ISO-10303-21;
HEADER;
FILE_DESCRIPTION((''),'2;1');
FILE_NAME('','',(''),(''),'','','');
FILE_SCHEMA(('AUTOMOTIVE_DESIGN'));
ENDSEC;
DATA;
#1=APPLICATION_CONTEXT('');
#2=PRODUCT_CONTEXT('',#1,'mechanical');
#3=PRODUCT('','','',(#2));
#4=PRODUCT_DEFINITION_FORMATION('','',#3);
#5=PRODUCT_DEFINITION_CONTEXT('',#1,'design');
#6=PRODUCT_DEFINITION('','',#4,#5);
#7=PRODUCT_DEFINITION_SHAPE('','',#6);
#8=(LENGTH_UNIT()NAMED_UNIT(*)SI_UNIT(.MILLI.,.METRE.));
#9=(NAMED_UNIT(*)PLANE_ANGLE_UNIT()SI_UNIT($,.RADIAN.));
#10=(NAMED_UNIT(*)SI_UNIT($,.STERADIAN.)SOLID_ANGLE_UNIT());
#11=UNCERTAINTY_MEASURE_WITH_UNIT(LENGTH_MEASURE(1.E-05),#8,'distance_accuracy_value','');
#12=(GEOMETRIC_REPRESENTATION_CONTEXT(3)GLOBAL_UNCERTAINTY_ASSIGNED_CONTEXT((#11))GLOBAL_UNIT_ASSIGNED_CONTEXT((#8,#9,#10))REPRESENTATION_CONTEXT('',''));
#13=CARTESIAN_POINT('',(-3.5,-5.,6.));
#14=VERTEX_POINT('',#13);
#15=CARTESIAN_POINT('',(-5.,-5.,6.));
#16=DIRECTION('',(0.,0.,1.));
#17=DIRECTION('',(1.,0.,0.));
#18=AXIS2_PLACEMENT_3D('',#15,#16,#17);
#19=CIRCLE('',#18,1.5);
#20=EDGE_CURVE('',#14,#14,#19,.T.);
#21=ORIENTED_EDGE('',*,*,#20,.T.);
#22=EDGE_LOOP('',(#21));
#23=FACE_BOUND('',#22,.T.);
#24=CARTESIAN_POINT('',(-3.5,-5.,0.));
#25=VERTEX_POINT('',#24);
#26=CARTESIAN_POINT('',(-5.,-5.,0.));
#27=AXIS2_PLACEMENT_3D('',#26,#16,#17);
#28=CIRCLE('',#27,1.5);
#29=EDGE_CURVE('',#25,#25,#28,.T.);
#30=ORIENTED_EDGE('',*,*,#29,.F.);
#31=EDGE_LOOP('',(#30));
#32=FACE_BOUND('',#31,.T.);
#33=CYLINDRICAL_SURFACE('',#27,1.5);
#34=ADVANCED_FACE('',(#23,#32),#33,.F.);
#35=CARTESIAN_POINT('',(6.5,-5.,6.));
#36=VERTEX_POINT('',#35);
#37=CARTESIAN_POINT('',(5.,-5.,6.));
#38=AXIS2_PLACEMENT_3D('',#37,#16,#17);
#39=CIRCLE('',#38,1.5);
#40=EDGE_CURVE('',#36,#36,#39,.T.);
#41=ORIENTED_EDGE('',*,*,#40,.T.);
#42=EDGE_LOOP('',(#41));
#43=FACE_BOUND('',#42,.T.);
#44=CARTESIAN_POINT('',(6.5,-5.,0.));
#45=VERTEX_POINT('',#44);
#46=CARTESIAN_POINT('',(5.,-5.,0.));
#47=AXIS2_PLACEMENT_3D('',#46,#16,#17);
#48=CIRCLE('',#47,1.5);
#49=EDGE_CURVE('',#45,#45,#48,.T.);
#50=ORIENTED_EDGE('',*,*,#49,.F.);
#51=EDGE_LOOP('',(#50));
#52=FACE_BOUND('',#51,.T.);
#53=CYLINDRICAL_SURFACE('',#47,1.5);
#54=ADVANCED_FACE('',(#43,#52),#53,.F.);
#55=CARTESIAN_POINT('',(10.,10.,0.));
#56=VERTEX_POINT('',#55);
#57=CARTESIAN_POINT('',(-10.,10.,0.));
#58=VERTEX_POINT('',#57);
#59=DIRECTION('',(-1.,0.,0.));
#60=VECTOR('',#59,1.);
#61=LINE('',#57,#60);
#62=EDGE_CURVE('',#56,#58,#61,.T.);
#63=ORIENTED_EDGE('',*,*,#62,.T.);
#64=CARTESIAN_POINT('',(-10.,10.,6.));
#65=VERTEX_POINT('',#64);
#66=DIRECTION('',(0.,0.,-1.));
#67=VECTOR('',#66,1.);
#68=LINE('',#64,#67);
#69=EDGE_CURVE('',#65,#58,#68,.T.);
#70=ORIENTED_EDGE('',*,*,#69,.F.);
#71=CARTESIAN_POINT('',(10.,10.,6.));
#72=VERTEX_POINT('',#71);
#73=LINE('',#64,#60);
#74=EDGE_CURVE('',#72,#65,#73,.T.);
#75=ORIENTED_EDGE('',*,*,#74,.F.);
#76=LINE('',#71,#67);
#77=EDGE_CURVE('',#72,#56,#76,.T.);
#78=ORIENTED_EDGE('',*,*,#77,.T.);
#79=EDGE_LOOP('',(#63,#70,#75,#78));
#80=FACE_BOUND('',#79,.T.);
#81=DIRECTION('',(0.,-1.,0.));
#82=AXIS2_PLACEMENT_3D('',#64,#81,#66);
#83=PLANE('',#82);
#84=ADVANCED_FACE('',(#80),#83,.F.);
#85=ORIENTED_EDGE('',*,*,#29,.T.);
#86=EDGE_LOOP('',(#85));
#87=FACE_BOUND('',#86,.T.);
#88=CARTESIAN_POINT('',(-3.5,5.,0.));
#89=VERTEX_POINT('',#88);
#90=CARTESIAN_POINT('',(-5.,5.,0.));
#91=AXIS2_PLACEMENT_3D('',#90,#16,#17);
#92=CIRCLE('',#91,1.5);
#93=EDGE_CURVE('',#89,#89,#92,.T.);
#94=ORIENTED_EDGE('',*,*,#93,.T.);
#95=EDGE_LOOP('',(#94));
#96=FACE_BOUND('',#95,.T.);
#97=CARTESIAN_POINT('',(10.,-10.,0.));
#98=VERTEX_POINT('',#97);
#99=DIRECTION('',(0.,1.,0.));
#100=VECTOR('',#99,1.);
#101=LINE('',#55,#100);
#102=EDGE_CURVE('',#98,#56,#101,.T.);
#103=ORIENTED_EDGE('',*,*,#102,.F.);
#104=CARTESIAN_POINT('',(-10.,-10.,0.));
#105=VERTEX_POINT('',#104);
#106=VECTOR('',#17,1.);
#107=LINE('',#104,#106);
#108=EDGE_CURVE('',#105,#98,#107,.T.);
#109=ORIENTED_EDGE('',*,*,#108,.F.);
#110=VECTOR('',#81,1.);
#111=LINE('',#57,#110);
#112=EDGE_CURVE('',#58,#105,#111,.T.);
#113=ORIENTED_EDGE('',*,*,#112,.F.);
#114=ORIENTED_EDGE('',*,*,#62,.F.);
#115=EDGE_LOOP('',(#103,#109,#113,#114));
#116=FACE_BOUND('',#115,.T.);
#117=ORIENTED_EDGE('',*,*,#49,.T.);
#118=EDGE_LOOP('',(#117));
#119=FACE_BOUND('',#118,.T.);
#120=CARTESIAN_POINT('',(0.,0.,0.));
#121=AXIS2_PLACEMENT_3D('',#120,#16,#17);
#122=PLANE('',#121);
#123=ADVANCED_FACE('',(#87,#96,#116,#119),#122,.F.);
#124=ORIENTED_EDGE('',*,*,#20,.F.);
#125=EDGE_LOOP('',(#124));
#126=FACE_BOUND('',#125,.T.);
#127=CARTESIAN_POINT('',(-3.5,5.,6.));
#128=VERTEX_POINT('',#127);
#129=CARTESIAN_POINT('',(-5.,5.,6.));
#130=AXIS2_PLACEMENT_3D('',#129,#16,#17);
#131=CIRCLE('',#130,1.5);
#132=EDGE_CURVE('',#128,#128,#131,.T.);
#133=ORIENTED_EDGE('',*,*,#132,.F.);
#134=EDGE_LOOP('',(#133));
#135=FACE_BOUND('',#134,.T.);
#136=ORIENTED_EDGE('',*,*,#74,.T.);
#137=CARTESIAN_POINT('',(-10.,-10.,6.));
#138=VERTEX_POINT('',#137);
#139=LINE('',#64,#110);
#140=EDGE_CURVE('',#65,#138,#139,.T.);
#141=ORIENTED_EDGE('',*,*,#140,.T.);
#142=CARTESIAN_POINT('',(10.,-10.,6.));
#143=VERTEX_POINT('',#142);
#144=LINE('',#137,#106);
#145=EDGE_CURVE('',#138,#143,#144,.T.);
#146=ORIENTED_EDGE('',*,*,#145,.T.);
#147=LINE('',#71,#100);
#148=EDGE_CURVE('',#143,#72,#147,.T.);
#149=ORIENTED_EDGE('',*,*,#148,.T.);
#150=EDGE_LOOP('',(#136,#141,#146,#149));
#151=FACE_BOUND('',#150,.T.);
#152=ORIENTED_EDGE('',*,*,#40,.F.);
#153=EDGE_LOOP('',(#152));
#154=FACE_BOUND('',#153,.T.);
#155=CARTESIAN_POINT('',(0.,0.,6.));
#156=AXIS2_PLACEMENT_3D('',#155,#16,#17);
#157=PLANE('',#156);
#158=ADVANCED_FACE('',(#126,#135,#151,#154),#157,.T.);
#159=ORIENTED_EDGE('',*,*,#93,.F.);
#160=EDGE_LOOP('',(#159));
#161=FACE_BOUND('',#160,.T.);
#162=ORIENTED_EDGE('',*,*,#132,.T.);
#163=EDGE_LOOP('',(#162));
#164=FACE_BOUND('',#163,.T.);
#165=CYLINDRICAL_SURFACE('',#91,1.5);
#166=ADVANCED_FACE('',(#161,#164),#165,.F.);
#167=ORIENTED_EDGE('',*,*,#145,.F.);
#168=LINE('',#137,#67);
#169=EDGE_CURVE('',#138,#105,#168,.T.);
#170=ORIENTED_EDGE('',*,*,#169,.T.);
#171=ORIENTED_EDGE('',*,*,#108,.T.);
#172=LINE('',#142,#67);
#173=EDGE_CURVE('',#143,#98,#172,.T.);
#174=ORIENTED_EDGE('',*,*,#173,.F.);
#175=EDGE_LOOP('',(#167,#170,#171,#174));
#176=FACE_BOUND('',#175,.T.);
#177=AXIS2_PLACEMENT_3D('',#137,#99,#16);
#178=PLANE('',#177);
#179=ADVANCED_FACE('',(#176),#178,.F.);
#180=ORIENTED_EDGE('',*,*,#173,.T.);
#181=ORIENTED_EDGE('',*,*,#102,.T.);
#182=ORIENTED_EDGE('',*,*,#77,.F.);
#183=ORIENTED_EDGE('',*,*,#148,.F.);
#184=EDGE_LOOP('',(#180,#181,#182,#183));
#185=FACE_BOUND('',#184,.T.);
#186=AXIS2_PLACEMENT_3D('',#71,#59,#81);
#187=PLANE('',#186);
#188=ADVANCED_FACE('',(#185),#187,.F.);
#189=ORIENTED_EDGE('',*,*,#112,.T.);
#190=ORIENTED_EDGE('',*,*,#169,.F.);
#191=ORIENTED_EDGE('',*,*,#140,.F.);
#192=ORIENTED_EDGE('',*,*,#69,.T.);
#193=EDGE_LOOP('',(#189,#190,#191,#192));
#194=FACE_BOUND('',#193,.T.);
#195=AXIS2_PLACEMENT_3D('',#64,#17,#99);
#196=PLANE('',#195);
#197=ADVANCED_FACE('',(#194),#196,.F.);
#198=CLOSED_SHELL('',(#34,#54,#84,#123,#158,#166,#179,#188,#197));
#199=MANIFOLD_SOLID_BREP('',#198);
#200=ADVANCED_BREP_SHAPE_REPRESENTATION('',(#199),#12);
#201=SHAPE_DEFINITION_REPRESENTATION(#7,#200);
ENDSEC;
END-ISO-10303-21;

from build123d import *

# Parameters (mm, degrees)
ESQUISSE1_W             = 20
ESQUISSE1_H             = 20
BOSS_EXTRU_1_DEPTH      = 6
ESQUISSE2_R             = 1.5
ENL_V_MAT_EXTRU_1_DEPTH = 6


with BuildPart() as part:
    # Esquisse1 → Boss.-Extru.1 (new body)
    with BuildSketch(Plane.XY):
        Rectangle(ESQUISSE1_W, ESQUISSE1_H)
    extrude(amount=BOSS_EXTRU_1_DEPTH)

    # Esquisse2 → Enlèv. mat.-Extru.1 (cut)
    with BuildSketch(Plane.XY.offset(6)):
        with Locations((-5, 5)):
            Circle(ESQUISSE2_R)
        with Locations((-5, -5)):
            Circle(ESQUISSE2_R)
        with Locations((5, -5)):
            Circle(ESQUISSE2_R)
    extrude(amount=-ENL_V_MAT_EXTRU_1_DEPTH, mode=Mode.SUBTRACT)


solid = part.part
